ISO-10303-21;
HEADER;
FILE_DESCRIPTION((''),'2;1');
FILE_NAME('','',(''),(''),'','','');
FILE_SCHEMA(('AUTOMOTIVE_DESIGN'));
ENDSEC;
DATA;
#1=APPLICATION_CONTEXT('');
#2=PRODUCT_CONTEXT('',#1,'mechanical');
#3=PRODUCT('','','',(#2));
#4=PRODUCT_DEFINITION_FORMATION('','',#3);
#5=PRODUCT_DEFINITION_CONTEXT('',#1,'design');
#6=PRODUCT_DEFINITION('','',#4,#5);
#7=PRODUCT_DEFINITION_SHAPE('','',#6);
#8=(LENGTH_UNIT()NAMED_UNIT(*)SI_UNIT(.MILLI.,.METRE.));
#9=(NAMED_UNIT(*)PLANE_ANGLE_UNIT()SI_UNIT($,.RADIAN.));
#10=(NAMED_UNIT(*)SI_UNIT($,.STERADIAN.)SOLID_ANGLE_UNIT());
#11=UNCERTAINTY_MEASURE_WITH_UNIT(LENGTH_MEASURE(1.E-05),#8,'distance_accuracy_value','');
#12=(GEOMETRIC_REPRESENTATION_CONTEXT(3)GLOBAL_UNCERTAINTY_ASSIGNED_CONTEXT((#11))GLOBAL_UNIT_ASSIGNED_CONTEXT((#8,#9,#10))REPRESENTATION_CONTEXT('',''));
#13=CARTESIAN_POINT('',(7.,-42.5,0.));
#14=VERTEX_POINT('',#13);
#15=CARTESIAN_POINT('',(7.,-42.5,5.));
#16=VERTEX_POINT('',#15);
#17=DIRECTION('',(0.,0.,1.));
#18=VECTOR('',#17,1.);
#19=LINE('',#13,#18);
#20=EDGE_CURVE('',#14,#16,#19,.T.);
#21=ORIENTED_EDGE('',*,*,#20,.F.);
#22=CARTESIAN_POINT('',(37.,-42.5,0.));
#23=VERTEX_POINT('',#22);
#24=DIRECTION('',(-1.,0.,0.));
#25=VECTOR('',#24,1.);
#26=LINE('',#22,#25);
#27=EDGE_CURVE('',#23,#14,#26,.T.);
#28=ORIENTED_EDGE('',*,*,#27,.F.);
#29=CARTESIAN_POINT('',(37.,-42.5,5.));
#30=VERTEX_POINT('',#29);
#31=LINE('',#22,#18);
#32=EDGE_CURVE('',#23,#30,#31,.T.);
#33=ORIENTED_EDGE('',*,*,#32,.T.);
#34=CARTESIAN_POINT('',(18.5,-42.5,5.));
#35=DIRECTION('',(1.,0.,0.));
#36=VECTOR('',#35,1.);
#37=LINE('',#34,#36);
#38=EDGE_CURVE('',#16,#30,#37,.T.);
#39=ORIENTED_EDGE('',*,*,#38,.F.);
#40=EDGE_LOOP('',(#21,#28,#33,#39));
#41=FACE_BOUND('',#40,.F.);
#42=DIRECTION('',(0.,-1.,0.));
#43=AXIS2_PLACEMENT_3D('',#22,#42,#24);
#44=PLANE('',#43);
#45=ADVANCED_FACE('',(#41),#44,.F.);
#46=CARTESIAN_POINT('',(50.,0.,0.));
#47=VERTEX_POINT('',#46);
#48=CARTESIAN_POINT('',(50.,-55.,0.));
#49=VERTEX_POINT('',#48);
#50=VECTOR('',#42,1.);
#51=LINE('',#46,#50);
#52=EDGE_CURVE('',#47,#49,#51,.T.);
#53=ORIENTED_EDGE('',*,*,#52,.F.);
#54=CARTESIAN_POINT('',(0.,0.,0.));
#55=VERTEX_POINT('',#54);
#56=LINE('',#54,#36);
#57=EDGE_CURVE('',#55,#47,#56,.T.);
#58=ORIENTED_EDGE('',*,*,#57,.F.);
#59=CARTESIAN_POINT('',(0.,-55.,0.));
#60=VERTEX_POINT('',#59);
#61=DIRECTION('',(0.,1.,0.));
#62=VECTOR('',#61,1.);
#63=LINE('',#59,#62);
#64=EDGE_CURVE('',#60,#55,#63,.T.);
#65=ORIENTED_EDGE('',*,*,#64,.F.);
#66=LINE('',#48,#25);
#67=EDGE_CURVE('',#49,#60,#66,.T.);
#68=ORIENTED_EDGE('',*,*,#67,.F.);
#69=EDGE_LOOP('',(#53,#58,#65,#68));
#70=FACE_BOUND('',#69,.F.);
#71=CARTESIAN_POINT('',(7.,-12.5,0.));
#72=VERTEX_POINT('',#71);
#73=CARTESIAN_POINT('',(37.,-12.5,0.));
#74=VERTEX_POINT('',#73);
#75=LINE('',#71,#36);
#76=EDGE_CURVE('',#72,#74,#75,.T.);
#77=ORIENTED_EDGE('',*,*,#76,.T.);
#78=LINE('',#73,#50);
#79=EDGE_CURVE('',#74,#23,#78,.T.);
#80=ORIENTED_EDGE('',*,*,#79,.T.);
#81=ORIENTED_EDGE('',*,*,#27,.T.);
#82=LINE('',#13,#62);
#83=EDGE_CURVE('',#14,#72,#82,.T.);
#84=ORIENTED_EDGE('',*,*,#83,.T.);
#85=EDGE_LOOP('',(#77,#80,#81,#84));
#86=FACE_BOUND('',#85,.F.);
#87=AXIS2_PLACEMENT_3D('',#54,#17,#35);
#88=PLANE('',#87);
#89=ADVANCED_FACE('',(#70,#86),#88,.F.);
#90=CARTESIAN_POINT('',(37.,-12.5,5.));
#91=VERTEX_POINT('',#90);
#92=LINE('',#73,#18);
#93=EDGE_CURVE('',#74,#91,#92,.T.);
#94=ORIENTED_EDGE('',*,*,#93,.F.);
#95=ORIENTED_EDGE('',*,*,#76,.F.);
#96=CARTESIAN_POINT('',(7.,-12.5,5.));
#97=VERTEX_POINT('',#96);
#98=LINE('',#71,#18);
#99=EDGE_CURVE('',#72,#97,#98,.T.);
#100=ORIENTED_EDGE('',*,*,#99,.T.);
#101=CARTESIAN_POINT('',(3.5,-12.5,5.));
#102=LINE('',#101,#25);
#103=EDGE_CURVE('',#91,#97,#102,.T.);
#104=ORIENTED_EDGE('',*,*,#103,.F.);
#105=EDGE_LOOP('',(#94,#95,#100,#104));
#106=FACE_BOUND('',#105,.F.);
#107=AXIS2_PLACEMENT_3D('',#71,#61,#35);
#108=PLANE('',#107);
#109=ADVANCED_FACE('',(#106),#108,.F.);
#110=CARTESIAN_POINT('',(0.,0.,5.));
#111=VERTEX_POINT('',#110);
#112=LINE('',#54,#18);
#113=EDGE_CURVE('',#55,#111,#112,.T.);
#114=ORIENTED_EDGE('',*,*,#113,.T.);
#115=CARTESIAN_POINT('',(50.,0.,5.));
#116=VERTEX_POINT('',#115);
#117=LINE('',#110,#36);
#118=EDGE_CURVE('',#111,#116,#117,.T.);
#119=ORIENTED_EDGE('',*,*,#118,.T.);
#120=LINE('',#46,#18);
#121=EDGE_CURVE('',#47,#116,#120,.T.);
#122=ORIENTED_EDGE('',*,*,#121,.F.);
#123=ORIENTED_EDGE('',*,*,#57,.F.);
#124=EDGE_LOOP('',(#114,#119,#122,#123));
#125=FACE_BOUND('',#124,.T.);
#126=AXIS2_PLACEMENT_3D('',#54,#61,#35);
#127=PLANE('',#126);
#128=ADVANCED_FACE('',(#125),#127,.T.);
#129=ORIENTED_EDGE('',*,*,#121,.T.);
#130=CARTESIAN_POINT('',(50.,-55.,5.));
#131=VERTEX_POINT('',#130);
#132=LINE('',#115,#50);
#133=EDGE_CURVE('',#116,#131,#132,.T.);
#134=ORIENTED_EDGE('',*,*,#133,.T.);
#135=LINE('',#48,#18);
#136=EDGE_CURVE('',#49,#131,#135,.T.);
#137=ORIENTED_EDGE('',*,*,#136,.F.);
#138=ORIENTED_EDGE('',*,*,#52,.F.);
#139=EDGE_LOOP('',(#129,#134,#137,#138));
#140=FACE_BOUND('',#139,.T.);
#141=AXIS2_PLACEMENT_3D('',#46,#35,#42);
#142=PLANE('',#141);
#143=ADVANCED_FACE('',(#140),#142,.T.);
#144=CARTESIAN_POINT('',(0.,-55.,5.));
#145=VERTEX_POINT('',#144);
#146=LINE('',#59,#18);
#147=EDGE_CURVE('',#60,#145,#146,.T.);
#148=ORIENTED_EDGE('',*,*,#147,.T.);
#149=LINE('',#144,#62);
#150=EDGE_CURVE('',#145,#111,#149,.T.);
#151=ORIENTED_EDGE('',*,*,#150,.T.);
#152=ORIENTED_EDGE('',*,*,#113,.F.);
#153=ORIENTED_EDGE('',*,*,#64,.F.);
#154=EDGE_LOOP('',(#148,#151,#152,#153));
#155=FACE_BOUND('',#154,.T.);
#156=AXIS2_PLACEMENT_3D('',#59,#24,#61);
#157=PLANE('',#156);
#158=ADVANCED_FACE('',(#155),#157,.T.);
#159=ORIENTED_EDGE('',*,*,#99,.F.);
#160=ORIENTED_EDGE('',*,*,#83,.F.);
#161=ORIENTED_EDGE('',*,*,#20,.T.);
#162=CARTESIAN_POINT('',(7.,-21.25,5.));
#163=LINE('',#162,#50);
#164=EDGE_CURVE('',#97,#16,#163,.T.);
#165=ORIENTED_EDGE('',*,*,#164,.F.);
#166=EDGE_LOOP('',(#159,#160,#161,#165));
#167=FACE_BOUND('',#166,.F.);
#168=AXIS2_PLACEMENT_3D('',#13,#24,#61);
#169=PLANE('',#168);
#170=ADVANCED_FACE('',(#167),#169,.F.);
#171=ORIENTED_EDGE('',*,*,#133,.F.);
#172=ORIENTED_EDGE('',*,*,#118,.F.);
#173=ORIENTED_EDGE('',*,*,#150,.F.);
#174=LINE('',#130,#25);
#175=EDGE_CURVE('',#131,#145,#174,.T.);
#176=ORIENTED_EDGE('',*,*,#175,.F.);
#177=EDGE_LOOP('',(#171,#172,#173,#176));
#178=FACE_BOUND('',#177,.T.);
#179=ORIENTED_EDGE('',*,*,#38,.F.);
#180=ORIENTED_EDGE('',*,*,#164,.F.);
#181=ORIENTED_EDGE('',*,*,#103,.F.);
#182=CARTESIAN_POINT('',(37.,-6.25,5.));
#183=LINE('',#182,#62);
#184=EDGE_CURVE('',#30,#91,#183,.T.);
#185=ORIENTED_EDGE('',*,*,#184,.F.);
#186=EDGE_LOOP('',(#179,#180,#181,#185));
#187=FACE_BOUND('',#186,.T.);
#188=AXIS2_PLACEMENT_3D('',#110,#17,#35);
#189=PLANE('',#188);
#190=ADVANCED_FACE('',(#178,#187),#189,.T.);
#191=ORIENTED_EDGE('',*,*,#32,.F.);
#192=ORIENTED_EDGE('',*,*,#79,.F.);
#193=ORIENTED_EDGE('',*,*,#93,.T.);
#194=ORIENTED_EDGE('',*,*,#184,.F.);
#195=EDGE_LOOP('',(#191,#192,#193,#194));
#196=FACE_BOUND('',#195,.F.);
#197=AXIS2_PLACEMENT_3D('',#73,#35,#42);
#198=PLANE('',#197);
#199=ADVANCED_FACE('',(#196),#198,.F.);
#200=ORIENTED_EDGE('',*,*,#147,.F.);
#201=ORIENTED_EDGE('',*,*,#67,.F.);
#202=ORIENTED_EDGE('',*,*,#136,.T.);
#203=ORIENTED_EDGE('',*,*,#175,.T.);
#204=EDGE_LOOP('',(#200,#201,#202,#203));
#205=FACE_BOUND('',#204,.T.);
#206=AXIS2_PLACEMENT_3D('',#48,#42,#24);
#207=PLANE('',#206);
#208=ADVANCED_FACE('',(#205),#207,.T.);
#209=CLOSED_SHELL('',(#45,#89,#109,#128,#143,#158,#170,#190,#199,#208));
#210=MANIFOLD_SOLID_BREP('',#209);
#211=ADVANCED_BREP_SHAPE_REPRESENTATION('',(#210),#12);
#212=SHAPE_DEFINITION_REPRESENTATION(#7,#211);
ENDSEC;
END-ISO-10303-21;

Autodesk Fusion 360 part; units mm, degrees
sketch "Sketch1" plane through (0, 0, 0) normal (0, 0, 1) x (1, 0, 0)
  line L0 (0, 0) -> (50, 0)
  line L1 (50, 0) -> (50, -55)
  line L2 (50, -55) -> (0, -55)
  line L3 (0, -55) -> (0, 0)
  line L4 (7, -12.5) -> (37, -12.5)
  line L5 (37, -12.5) -> (37, -42.5)
  line L6 (37, -42.5) -> (7, -42.5)
  line L7 (7, -42.5) -> (7, -12.5)
  dimension "d7" = 50
  dimension "d8" = 55
  dimension "d15" = 30
  dimension "d16" = 30
  dimension "d17" = 7
  dimension "d18" = 12.5
extrude "Extrude1" add sketch "Sketch1" along normal blind 5 contours L0 L1 L2 L3 | L4 L5 L6 L7
extrude "Extrude2" cut sketch "Sketch1" along normal blind 100 contours L4 L5 L6 L7
equation "perfboard_length = 35 mm"
equation "perfboard_width = 30 mm"
equation "width = perfboard_length + 2 * screw_radius * 2"
equation "length = perfboard_width + 2 * screw_radius * 2"
equation "height = 5 mm"
equation "d7 = length"
equation "d8 = width"
equation "d9 = height"
equation "middle_gap_width = 30 mm"
equation "middle_gap_length = length - 2 * screw_radius * 2"
equation "middle_gap_small_distance = 7 mm"
equation "middle_gap_big_distance = ( width - middle_gap_width ) / 2"
equation "d15 = middle_gap_length"
equation "d16 = middle_gap_width"
equation "d17 = middle_gap_small_distance"
equation "d18 = middle_gap_big_distance"
equation "extra = 100 mm"
equation "d20 = extra"
equation "screw_radius = 5 mm"
